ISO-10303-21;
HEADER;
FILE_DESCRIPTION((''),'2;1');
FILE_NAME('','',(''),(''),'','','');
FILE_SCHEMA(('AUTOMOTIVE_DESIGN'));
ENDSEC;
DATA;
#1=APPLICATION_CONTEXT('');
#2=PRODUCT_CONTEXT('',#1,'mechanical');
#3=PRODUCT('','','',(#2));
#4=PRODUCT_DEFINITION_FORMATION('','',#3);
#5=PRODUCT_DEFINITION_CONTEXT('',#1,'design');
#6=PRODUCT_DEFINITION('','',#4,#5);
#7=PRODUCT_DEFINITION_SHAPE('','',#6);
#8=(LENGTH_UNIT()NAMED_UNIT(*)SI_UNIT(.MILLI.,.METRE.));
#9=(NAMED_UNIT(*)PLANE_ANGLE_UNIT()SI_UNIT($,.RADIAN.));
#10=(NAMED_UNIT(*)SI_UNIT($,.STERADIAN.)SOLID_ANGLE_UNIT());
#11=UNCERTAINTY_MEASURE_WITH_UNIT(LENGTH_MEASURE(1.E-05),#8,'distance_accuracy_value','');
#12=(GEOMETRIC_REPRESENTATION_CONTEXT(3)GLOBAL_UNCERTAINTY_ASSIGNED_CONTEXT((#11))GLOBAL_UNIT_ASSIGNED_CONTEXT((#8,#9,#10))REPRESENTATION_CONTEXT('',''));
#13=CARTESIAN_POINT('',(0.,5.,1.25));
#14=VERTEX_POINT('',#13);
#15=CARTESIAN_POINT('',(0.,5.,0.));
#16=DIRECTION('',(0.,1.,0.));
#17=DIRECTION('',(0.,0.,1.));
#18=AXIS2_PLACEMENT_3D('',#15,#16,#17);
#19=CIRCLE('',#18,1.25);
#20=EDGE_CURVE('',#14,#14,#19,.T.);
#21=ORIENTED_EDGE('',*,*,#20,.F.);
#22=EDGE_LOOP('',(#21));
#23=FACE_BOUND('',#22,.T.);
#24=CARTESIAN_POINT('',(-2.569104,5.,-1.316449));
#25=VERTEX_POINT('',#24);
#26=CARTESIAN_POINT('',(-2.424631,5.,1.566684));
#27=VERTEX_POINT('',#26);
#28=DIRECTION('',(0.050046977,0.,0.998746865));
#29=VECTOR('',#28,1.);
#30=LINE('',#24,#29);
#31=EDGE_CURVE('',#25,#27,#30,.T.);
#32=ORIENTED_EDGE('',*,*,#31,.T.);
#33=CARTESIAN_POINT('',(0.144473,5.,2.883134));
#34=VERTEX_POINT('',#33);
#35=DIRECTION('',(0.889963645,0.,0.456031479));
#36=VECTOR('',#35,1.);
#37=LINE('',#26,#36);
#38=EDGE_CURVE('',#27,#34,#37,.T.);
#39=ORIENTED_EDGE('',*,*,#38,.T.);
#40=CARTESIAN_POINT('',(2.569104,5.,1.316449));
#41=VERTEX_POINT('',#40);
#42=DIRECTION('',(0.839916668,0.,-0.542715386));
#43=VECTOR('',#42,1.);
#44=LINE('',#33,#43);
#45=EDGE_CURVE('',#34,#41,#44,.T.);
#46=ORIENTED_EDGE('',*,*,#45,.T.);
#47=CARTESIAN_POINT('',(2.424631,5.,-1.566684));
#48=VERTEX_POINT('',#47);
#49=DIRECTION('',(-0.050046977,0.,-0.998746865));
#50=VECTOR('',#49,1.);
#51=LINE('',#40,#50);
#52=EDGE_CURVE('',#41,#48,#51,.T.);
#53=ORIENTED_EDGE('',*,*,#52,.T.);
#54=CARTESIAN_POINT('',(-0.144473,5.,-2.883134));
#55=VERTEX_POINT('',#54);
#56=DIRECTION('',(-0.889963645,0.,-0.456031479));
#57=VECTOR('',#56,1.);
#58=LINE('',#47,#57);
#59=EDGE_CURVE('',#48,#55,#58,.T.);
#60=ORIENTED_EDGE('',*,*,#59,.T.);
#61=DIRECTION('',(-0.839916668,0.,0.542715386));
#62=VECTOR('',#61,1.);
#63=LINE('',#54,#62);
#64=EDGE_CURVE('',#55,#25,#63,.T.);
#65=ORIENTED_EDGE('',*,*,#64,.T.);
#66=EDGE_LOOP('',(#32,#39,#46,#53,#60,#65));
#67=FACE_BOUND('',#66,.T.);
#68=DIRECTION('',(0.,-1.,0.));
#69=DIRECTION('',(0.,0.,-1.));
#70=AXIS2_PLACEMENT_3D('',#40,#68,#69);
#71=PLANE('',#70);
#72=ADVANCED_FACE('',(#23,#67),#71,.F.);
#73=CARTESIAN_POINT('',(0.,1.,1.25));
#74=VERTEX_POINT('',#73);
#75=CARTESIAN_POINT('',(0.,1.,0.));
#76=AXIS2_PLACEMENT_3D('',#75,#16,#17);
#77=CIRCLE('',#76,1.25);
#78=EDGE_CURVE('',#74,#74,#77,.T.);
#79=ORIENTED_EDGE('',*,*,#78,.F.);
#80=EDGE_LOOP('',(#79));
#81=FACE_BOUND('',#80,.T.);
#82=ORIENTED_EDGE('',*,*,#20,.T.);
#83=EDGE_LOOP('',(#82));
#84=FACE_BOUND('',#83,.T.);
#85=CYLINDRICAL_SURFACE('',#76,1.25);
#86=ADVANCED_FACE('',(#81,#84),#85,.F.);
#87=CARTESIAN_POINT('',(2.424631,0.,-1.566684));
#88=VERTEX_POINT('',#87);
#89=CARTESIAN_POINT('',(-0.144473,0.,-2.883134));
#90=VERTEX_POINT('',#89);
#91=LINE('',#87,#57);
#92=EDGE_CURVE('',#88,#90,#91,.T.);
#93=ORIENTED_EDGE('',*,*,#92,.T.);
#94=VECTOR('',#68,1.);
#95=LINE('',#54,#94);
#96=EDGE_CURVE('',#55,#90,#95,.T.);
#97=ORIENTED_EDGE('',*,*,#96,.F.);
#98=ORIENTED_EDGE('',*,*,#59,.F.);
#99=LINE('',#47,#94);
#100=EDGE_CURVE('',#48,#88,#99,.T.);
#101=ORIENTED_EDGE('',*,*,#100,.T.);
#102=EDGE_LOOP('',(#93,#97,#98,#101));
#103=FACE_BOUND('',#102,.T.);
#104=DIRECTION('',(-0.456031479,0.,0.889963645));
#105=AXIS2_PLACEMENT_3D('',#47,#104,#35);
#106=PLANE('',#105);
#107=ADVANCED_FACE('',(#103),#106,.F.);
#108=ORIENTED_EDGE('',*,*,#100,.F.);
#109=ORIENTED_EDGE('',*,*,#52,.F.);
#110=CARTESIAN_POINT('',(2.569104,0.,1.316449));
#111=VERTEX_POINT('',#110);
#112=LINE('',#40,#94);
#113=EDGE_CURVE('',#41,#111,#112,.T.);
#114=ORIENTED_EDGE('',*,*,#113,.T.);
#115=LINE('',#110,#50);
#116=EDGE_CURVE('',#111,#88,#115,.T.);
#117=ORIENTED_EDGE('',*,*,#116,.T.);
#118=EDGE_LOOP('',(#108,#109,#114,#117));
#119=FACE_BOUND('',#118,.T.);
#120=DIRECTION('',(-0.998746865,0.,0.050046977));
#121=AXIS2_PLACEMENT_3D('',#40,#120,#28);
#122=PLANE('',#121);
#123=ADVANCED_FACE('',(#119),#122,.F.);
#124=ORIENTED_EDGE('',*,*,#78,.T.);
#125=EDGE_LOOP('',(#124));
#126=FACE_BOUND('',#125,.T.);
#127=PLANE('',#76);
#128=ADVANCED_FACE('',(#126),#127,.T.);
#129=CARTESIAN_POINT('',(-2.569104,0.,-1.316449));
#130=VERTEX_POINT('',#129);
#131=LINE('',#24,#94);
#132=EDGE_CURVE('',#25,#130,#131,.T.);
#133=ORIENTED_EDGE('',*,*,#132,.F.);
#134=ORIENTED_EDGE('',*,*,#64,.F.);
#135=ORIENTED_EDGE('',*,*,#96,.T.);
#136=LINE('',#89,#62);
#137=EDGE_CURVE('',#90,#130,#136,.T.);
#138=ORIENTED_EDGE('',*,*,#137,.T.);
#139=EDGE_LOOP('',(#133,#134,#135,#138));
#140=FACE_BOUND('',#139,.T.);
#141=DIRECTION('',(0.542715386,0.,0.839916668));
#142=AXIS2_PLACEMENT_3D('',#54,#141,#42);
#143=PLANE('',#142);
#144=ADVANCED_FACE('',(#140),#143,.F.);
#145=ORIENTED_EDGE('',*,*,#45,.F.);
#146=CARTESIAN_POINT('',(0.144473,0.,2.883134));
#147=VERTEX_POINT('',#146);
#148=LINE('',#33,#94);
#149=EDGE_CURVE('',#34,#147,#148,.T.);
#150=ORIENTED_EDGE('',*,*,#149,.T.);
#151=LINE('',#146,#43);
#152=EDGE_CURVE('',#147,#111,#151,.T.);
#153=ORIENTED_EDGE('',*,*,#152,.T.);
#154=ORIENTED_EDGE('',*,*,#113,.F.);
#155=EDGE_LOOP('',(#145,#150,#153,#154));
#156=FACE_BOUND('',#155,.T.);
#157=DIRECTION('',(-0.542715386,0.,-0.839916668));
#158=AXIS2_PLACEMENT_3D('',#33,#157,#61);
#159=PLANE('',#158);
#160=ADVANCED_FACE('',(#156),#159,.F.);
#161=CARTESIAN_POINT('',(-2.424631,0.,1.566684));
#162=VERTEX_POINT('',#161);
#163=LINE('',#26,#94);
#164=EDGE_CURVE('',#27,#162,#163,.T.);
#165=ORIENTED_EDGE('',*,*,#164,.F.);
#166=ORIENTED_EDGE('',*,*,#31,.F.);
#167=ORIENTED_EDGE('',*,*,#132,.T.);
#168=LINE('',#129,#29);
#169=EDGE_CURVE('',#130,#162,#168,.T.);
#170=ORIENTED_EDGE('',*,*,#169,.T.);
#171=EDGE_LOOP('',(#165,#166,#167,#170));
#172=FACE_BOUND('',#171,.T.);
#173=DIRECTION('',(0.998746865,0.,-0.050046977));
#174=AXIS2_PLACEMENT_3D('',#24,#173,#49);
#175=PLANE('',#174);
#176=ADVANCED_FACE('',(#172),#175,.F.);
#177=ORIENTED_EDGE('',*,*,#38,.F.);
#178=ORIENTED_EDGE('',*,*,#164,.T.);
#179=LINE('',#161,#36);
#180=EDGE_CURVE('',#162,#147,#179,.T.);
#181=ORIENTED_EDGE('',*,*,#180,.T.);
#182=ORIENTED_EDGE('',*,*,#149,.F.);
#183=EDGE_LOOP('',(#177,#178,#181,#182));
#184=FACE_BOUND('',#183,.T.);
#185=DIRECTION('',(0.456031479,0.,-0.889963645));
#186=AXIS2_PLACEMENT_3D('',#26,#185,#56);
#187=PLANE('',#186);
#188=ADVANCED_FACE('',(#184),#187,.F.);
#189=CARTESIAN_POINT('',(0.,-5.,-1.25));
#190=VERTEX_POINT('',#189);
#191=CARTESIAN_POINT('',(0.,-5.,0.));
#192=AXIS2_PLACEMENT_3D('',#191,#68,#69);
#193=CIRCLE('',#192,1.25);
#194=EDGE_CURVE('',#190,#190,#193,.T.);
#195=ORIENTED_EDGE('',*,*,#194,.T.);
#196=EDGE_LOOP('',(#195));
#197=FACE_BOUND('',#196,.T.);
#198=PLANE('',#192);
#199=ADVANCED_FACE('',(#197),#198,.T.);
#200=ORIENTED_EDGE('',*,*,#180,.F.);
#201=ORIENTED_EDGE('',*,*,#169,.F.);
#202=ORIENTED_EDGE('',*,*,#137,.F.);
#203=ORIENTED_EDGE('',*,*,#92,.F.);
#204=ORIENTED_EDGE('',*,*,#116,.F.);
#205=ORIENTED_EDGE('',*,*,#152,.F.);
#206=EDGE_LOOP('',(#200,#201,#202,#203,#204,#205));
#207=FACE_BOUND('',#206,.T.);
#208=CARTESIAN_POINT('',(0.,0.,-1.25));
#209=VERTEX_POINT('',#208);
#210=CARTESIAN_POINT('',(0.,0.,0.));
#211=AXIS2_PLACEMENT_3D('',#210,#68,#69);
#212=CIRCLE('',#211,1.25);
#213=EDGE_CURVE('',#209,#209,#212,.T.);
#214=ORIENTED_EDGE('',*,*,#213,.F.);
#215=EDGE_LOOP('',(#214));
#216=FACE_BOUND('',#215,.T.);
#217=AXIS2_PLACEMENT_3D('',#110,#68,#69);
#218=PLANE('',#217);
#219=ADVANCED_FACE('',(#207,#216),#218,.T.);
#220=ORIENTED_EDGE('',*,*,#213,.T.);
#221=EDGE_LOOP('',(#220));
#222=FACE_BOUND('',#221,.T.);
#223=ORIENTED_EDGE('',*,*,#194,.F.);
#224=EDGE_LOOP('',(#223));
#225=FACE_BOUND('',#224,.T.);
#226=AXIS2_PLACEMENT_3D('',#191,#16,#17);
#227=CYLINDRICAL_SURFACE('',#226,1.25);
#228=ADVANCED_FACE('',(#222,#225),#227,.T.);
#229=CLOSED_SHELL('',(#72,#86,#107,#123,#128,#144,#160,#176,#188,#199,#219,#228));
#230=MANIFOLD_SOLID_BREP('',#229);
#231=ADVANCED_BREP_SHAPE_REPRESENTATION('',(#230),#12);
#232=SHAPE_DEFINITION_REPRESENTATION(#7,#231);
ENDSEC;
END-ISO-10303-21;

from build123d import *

# Parameters (mm, degrees)
EXTRUSION1_DEPTH        = 5
ESQUISSE2_R             = 1.25
EXTRUSION2_DEPTH        = 5
ESQUISSE3_R             = 1.25
ENL_V_MAT_EXTRU_2_DEPTH = 4


with BuildPart() as part:
    # Esquisse1 → Extrusion1 (new body)
    with BuildSketch(Plane(origin=(0, 0, 0), x_dir=(1, 0, 0), z_dir=(0, 1, 0))):
        Polygon((2.424630573, 1.56668437), (-0.144473178, 2.883133856), (-2.569103751, 1.316449486), (-2.424630573, -1.56668437), (0.144473178, -2.883133856), (2.569103751, -1.316449486), align=None)
    extrude(amount=EXTRUSION1_DEPTH)

    # Esquisse2 → Extrusion2 (add)
    with BuildSketch(Plane.XZ):
        with Locations(Location((0, 0, 0), (0, 0, 270))):  # turned: the seam where the file's is
            Circle(ESQUISSE2_R)
    extrude(amount=EXTRUSION2_DEPTH)

    # Esquisse3 → Enlèv. mat.-Extru.2 (cut)
    with BuildSketch(Plane(origin=(0, 5, 0), x_dir=(-1, 0, 0), z_dir=(0, 1, 0))):
        with Locations(Location((0, 0, 0), (0, 0, 270))):  # turned: the seam where the file's is
            Circle(ESQUISSE3_R)
    extrude(amount=-ENL_V_MAT_EXTRU_2_DEPTH, mode=Mode.SUBTRACT)


solid = part.part
